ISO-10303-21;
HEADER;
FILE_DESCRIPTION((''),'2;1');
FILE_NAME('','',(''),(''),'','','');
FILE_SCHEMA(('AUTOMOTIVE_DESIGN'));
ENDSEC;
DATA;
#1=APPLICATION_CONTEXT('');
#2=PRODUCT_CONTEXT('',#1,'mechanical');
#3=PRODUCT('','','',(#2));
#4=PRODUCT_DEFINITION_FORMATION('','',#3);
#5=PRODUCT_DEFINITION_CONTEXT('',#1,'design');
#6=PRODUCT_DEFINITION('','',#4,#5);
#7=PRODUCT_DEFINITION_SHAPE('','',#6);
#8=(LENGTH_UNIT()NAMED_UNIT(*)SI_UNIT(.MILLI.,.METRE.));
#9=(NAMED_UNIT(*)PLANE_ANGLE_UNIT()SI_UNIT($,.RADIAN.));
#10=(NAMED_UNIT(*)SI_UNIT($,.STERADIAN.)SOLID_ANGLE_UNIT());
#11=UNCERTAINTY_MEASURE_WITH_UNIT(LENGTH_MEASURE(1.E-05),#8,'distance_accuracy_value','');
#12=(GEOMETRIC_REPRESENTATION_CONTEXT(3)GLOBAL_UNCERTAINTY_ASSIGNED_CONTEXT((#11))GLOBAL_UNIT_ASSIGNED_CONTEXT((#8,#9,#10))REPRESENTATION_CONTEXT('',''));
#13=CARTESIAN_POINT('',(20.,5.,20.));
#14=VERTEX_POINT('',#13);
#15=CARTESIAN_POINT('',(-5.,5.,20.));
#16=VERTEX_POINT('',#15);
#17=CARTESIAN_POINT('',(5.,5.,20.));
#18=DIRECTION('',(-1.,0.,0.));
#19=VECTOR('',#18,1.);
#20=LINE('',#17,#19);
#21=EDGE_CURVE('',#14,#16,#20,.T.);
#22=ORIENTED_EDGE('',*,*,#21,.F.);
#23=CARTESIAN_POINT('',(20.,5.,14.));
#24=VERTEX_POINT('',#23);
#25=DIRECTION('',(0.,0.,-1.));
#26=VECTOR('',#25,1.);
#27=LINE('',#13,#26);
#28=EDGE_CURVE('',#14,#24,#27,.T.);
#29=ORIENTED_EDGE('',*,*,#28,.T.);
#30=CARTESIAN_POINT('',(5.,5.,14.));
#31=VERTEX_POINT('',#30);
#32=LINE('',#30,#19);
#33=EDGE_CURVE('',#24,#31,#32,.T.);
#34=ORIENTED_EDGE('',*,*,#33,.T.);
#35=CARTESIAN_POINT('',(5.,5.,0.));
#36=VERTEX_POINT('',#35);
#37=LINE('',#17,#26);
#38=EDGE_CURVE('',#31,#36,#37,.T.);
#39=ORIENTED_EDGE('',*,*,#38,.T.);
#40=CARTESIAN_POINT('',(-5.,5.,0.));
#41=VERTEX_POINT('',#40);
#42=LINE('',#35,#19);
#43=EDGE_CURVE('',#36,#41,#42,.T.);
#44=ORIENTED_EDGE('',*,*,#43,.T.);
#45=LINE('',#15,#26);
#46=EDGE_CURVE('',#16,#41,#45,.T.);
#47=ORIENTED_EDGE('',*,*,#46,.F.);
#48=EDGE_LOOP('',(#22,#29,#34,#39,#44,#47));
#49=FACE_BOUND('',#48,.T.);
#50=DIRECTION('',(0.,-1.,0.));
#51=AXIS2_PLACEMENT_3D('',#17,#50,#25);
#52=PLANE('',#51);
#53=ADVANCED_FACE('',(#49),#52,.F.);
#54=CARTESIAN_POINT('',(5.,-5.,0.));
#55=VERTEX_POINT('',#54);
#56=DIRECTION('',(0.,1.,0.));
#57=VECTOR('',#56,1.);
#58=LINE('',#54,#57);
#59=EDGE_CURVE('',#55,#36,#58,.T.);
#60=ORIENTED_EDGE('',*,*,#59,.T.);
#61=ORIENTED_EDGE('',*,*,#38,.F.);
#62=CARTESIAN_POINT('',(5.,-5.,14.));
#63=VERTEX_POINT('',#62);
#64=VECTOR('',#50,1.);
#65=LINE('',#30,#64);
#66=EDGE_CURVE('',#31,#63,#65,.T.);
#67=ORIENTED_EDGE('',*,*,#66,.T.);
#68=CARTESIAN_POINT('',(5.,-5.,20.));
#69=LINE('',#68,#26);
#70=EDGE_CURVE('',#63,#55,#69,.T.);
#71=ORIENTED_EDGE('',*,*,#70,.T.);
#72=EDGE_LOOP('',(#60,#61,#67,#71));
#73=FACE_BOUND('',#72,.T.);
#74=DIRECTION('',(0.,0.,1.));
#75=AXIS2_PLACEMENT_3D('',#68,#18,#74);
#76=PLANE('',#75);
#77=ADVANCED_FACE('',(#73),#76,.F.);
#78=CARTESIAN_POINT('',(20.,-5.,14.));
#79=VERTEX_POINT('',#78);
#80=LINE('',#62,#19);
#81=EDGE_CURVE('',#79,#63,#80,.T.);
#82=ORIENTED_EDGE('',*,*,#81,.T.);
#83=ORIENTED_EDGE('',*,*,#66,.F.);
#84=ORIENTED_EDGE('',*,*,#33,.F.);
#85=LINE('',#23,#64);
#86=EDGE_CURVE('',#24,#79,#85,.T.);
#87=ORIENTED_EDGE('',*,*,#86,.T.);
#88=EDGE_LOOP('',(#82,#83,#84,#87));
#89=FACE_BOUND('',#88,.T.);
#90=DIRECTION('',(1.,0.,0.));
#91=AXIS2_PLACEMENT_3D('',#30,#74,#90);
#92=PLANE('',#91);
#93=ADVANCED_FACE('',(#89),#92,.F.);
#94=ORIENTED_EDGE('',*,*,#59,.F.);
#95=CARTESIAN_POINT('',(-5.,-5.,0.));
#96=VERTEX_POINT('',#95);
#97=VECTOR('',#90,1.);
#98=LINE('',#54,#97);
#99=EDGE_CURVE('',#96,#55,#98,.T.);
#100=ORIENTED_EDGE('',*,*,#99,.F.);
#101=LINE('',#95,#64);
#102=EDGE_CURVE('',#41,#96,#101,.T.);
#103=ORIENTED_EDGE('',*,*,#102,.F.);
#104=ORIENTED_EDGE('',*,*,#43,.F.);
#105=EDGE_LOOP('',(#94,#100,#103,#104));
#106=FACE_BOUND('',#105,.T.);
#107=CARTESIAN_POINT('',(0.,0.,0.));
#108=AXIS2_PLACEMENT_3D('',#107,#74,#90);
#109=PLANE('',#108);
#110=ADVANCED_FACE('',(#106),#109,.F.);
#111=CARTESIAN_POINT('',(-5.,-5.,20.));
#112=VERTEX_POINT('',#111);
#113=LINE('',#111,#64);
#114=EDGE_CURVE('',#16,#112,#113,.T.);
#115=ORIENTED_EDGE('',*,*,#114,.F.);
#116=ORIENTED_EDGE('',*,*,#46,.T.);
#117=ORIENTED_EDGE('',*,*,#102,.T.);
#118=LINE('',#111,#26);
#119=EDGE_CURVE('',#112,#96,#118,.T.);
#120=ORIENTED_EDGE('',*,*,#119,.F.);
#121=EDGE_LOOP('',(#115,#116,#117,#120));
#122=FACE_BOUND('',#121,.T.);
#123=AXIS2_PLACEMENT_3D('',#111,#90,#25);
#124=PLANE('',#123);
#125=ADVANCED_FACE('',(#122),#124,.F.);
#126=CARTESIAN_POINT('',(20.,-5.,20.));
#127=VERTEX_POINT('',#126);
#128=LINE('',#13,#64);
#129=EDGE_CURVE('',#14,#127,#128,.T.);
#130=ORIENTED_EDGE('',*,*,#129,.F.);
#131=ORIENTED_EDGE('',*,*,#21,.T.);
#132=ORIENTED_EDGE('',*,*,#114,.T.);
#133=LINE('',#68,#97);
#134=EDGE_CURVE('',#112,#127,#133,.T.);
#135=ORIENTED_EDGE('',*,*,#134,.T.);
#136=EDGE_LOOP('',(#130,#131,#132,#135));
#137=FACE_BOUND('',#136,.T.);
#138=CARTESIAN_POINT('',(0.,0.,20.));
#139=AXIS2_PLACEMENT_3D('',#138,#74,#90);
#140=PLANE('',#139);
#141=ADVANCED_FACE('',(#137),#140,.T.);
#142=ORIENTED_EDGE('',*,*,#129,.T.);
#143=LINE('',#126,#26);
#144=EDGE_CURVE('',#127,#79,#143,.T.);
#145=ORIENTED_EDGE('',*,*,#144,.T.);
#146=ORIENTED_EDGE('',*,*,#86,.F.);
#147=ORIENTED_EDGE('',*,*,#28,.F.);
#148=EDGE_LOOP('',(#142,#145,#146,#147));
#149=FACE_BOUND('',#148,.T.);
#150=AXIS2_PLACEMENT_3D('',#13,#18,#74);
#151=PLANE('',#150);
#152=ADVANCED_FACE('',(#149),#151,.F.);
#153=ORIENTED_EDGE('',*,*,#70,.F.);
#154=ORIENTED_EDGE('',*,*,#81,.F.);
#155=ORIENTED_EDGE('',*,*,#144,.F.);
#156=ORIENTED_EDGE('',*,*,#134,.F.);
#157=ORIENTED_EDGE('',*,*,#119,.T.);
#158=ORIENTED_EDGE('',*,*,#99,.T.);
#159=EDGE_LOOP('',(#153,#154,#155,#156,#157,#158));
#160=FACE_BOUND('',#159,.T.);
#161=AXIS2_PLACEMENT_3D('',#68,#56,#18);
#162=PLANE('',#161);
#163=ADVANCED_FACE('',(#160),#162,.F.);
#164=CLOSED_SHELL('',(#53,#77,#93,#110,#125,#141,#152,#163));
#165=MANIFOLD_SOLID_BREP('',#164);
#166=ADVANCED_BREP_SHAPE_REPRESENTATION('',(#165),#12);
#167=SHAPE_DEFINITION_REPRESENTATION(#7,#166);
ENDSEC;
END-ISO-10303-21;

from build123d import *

# Parameters (mm, degrees)
SCHIZZO1_W                   = 10
SCHIZZO1_H                   = 10
ESTRUSIONE_ESTRUSIONE1_DEPTH = 20
SCHIZZO2_W                   = 15
SCHIZZO2_H                   = 6
ESTRUSIONE_ESTRUSIONE2_DEPTH = 5


with BuildPart() as part:
    # Schizzo1 → Estrusione-Estrusione1 (new body)
    with BuildSketch(Plane.XY):
        Rectangle(SCHIZZO1_W, SCHIZZO1_H)
    extrude(amount=ESTRUSIONE_ESTRUSIONE1_DEPTH)

    # Schizzo2 → Estrusione-Estrusione2 (add, symmetric)
    with BuildSketch(Plane(origin=(0, 0, 0), x_dir=(1, 0, 0), z_dir=(0, 1, 0))):
        with Locations((12.5, -17)):
            Rectangle(SCHIZZO2_W, SCHIZZO2_H)
    extrude(amount=ESTRUSIONE_ESTRUSIONE2_DEPTH, both=True)


solid = part.part
